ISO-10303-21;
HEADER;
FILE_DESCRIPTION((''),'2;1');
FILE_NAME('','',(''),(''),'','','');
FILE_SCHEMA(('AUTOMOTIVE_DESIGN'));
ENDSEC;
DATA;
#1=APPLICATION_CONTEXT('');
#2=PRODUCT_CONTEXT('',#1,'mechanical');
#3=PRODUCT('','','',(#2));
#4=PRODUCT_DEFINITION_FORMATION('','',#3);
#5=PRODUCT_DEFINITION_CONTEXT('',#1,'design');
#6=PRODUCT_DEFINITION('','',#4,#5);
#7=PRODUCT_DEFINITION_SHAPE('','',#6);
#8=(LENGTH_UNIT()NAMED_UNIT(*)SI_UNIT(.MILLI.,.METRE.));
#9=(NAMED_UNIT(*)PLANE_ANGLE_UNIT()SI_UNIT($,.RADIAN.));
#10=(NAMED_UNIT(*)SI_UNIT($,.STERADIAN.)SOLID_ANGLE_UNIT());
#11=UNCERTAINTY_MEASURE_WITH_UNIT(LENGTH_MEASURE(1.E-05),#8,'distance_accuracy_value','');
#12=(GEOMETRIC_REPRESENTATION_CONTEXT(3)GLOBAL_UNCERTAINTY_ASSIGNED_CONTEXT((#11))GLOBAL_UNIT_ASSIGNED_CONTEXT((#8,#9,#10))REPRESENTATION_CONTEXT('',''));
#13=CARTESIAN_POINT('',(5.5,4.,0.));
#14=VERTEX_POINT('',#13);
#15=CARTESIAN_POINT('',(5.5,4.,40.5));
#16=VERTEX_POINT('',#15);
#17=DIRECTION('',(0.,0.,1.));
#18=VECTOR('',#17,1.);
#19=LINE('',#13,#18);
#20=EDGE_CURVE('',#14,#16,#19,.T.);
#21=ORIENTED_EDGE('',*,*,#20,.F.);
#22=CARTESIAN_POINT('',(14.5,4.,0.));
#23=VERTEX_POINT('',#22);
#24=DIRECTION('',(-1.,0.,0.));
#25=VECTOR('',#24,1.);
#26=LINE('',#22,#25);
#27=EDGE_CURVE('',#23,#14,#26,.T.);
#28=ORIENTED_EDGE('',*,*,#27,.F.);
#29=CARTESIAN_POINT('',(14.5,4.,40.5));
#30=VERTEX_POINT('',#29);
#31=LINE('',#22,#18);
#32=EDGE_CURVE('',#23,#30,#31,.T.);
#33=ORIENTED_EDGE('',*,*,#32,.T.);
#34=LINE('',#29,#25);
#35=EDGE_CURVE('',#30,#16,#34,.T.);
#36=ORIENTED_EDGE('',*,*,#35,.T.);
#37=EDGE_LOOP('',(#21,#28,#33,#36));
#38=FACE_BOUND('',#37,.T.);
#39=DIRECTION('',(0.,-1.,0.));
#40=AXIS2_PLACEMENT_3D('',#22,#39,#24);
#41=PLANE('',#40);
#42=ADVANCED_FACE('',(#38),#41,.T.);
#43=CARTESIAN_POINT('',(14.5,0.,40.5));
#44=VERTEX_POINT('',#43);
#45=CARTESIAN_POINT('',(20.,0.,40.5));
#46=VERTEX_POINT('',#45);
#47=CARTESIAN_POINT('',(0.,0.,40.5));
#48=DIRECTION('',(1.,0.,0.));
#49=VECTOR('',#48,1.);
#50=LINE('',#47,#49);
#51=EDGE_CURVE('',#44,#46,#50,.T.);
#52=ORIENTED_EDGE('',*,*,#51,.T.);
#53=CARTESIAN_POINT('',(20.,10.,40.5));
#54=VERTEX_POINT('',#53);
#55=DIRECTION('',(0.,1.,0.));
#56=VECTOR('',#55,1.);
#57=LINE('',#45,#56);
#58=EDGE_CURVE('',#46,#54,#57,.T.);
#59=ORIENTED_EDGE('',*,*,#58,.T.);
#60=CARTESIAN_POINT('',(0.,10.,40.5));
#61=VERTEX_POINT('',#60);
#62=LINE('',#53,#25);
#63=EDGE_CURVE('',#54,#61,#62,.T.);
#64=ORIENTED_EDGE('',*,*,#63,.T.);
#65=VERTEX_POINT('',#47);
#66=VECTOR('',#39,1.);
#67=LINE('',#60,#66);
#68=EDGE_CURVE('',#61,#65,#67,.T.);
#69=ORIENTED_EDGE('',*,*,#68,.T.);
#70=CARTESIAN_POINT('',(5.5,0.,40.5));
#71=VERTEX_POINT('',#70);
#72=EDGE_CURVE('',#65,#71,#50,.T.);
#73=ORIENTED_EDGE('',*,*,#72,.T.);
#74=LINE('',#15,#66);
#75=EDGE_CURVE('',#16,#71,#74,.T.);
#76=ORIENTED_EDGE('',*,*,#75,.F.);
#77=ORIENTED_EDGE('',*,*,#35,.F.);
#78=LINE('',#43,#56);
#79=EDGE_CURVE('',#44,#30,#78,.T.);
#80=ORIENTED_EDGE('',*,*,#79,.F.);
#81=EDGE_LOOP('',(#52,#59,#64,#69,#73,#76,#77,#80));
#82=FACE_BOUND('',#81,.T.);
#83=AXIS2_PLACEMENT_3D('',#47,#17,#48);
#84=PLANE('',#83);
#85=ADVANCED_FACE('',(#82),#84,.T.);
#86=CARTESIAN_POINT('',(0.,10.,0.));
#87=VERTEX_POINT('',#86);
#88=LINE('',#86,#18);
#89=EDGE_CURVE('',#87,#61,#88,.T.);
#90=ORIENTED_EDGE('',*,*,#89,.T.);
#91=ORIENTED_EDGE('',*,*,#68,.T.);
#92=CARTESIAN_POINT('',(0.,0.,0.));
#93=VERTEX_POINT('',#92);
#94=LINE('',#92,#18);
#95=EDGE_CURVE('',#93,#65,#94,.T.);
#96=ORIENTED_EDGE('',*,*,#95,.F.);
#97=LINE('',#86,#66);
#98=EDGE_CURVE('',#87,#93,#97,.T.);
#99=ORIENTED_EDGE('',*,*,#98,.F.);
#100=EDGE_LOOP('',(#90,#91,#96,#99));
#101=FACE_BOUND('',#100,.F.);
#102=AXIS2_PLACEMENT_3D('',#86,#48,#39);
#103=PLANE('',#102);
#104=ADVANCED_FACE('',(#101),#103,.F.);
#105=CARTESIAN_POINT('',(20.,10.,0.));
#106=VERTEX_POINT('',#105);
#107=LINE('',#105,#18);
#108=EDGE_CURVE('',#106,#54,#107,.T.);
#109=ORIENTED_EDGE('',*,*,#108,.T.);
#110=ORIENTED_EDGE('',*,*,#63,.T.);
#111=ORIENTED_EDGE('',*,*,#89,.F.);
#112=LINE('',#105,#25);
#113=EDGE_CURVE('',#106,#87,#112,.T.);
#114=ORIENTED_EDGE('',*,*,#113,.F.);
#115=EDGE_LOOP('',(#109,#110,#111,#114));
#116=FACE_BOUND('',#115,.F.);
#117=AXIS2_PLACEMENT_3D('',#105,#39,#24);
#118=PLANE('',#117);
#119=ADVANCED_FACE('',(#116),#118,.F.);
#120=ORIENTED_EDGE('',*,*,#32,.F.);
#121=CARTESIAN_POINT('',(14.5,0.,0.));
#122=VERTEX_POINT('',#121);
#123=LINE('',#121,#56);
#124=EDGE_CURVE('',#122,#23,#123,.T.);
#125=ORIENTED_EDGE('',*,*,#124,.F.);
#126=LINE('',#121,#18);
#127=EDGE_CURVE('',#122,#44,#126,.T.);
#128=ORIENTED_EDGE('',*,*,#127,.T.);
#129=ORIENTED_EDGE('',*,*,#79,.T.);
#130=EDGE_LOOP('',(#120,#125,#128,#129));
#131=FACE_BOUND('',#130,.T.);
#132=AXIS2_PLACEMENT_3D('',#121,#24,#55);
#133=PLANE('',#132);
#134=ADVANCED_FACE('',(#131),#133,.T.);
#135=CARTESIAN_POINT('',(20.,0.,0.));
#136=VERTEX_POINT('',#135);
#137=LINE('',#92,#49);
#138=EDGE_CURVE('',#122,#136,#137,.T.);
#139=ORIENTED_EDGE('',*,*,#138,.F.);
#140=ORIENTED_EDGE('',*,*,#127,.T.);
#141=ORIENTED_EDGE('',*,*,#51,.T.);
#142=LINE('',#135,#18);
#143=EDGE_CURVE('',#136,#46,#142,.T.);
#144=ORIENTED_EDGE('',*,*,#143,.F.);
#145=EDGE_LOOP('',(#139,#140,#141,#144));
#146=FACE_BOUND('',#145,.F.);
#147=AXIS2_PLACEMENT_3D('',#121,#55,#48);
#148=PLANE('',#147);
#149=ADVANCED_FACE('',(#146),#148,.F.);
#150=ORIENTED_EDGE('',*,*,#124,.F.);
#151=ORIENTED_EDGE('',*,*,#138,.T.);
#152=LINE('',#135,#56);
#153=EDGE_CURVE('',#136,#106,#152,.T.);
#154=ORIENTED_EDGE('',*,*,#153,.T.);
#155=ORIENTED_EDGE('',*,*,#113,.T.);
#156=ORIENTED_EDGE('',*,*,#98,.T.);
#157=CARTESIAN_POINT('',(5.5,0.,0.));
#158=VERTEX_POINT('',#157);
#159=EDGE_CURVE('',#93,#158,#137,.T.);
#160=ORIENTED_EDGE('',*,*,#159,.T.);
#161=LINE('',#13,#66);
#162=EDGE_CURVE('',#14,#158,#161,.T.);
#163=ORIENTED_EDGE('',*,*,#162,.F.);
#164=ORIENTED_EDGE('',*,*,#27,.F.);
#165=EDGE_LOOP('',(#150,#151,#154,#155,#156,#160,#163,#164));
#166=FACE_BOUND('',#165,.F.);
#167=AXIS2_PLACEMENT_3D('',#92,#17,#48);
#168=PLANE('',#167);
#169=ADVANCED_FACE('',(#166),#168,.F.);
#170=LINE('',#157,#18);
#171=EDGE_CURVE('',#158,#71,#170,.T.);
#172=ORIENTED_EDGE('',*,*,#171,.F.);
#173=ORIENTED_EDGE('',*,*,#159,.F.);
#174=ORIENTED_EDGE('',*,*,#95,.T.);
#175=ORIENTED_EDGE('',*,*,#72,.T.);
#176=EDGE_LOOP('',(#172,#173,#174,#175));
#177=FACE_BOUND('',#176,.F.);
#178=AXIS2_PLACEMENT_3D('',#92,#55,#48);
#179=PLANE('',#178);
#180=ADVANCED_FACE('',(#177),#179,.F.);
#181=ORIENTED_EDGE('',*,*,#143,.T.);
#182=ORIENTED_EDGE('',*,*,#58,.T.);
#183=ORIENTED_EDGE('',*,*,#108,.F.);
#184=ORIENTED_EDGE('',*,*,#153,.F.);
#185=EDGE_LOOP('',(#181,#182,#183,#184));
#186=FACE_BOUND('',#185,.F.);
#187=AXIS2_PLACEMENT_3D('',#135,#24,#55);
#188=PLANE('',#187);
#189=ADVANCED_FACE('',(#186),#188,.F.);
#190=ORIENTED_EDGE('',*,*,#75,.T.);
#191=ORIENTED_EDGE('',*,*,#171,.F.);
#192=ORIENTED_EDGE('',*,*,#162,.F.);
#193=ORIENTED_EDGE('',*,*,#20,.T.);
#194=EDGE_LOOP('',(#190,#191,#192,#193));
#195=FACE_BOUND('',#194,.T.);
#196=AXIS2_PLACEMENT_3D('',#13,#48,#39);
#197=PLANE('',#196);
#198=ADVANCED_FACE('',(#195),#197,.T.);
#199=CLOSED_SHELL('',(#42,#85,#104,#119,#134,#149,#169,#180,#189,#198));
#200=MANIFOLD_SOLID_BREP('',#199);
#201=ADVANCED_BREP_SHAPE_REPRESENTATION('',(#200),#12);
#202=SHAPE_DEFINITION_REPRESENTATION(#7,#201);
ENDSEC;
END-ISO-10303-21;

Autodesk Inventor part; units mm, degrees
ref_plane "YZ Plane" through (0, 0, 0) normal (1, 0, 0) x (0, 1, 0)
ref_plane "XZ Plane" through (0, 0, 0) normal (0, 1, 0) x (-1, 0, 0)
ref_plane "XY Plane" through (0, 0, 0) normal (0, 0, 1) x (1, 0, 0)
sketch "Sketch1" plane through (0, 0, 0) normal (0, 0, 1) x (1, 0, 0)
  line L0 (0, 0) -> (20, 0)
  line L1 (20, 0) -> (20, 10)
  line L2 (20, 10) -> (0, 10)
  line L3 (0, 10) -> (0, 0)
  line L4 (5.5, 0) -> (14.5, 0)
  line L5 (14.5, 0) -> (14.5, 4)
  line L6 (14.5, 4) -> (5.5, 4)
  line L7 (5.5, 4) -> (5.5, 0)
  point P0 (10, 4)
  point P1 (10, 10)
  dimension "d0" = 9
  dimension "d1" = 4
  dimension "d2" = 10
  dimension "d3" = 20
extrude "Extrusion1" add sketch "Sketch1" along normal blind 40.5 contours L3 L2 L1 L0 L5 L6 L7
properties part number "MGN9H"
